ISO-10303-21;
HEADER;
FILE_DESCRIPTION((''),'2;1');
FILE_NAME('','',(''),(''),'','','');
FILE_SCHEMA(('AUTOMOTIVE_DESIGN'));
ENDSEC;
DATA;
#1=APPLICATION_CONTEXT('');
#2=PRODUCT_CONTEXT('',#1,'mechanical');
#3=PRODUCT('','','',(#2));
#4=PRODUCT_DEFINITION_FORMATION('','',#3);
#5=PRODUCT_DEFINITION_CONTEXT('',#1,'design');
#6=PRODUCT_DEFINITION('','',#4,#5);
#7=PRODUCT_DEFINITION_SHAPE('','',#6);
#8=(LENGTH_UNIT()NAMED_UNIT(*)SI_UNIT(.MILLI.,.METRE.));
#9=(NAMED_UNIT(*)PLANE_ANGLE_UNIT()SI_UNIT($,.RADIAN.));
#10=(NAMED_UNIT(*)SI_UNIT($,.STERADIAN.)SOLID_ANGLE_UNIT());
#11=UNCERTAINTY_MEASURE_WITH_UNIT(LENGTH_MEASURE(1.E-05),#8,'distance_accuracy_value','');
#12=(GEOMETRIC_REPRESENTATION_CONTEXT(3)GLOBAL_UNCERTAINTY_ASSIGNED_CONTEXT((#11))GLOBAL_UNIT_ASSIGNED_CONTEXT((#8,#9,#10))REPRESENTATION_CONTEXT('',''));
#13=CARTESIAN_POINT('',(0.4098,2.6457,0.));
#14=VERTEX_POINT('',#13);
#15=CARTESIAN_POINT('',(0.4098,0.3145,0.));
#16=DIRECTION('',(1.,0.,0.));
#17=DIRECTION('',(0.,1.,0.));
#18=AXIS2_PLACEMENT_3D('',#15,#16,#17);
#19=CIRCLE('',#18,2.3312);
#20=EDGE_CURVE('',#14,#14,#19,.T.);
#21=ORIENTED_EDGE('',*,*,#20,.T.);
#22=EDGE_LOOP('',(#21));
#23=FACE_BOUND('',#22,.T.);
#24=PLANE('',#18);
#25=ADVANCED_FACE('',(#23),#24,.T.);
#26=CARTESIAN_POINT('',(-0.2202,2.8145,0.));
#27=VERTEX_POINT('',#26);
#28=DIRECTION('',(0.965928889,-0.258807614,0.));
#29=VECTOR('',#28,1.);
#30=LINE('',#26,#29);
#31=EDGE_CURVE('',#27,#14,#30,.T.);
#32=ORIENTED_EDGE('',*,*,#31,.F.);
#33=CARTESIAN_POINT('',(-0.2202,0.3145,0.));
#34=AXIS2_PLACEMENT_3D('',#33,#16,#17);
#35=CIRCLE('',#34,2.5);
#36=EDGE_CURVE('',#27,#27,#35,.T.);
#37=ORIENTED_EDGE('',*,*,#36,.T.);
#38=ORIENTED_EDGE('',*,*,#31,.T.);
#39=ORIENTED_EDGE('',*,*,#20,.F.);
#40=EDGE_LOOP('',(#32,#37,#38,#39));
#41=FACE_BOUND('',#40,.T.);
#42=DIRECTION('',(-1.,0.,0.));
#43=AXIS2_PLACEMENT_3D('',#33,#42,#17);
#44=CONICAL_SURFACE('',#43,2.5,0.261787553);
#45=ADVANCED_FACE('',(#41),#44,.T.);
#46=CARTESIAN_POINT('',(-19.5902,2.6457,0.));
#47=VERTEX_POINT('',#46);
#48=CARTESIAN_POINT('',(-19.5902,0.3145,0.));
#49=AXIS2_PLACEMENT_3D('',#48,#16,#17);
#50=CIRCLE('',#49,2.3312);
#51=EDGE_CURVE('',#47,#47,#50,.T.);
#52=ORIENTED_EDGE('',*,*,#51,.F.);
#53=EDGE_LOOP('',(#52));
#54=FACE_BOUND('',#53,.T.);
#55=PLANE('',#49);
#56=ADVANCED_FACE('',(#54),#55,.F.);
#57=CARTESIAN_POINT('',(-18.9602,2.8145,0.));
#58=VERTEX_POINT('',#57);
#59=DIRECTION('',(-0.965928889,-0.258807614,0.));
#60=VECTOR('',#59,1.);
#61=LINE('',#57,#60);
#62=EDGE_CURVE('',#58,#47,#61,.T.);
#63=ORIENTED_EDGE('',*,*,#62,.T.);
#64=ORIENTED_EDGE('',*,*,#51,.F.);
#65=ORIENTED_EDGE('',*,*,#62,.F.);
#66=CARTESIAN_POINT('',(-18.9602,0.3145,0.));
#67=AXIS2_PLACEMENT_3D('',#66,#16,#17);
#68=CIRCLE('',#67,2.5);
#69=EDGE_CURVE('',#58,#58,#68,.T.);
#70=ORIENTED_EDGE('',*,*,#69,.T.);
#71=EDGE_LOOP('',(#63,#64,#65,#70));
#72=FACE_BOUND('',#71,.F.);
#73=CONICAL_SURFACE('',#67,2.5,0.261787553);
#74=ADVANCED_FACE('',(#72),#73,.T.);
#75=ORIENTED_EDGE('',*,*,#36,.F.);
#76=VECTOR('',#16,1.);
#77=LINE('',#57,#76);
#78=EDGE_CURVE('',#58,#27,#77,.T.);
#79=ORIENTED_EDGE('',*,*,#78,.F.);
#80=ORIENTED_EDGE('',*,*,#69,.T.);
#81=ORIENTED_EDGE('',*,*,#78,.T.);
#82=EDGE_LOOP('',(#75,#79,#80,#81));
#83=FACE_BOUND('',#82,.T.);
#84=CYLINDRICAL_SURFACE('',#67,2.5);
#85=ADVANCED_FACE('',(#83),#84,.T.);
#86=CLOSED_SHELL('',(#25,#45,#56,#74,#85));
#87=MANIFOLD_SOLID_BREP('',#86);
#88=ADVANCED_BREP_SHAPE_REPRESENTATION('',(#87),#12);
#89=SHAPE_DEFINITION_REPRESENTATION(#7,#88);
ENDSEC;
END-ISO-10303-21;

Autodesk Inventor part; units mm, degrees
ref_plane "YZ Plane" through (0, 0, 0) normal (1, 0, 0) x (0, 1, 0)
ref_plane "XZ Plane" through (0, 0, 0) normal (0, 1, 0) x (-1, 0, 0)
ref_plane "XY Plane" through (0, 0, 0) normal (0, 0, 1) x (1, 0, 0)
sketch "スケッチ1" plane through (0, 0, 0) normal (0, 0, 1) x (1, 0, 0)
  line L0 (-18.9602, 2.8145) -> (-0.2202, 2.8145)
  line L1 (0.4098, 2.6457) -> (0.4098, 0.3145)
  line L2 (-19.5902, 0.3145) -> (-19.5902, 2.6457)
  line L3 (-18.9602, 2.8145) -> (-18.9602, -1.1855) construction
  line L4 (-0.2202, 2.8145) -> (-0.2202, -1.1855) construction
  line L5 (-18.9602, 2.8145) -> (-19.5902, 2.6457)
  line L6 (-0.2202, 2.8145) -> (0.4098, 2.6457)
  line L7 (-35.0163, 0.3145) -> (16.7265, 0.3145) construction
  line L8 (-19.5902, 0.3145) -> (0.4098, 0.3145)
  dimension "d2" = 0.63
  dimension "d3" = 0.63
  dimension "d4" = 15
  dimension "d6" = 15
  dimension "d9" = 20
  dimension "d12" = 2.5
revolve "回転1" add sketch "スケッチ1" angle 360 about axis through (-35.0163, 0.3145, 0) along (1, 0, 0)
properties part number "φ4ピン　L20" material "ステンレス鋼"
